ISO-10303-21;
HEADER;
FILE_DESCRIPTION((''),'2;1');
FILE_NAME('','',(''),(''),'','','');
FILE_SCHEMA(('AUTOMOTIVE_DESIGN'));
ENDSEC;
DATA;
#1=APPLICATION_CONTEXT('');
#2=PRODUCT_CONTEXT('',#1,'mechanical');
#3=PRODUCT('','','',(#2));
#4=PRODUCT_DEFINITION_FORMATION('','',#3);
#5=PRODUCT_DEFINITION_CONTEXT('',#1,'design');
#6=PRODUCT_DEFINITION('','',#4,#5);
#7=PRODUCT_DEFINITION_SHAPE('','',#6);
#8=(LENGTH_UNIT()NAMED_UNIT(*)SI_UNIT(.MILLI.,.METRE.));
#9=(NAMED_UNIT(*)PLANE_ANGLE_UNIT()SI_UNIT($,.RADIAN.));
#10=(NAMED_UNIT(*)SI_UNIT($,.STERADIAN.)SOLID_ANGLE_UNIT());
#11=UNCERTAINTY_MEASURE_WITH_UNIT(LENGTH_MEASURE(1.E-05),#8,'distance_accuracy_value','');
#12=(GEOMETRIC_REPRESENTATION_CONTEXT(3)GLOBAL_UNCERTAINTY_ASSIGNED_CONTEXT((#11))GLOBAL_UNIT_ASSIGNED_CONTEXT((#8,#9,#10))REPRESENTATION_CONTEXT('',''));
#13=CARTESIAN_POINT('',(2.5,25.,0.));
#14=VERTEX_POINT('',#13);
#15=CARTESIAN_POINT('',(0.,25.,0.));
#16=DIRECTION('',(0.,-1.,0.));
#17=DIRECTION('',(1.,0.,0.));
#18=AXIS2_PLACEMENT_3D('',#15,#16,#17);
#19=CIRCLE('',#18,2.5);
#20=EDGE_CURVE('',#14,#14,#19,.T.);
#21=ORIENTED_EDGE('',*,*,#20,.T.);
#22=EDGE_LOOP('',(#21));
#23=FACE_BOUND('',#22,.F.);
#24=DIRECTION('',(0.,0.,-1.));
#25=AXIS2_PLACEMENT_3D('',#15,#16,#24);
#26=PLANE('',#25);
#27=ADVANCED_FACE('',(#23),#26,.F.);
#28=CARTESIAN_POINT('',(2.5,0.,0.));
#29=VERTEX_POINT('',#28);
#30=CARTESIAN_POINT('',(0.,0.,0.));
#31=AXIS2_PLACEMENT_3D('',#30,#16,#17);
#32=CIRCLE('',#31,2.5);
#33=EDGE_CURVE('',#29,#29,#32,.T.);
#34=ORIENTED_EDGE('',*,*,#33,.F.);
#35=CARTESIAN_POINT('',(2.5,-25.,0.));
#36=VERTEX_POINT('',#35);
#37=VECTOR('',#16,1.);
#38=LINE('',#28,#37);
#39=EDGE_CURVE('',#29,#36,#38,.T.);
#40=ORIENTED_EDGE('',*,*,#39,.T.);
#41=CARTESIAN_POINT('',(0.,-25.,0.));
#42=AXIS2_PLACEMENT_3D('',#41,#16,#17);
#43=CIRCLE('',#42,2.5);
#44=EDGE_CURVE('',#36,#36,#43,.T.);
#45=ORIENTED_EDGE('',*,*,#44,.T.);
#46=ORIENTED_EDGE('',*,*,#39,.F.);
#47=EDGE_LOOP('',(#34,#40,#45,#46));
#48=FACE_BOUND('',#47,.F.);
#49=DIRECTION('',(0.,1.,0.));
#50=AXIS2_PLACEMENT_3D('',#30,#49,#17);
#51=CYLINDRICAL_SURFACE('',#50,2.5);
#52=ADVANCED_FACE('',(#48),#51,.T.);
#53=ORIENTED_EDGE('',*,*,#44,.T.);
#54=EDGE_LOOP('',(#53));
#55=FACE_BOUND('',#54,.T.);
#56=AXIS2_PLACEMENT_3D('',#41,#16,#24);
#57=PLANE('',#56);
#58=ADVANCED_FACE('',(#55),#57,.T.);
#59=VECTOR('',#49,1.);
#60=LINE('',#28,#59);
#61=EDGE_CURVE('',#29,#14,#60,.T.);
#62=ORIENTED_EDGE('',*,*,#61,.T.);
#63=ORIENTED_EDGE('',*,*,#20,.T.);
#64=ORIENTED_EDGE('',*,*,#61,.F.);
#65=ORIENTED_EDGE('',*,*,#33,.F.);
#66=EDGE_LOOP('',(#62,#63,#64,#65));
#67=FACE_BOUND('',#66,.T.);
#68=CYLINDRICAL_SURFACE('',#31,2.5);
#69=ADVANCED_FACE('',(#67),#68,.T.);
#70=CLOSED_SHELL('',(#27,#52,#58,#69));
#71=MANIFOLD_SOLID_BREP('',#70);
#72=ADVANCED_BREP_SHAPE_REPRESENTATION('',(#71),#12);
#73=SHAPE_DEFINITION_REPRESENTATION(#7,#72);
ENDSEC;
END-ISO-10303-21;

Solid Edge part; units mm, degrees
sketch "Sketch1" plane through (0, 0, 0) normal (0, -1, 0) x (1, 0, 0)
  circle A0 centre (0, 0) radius 2.5
extrude "Protrusion1" add sketch "Sketch1" along normal mid plane 50
